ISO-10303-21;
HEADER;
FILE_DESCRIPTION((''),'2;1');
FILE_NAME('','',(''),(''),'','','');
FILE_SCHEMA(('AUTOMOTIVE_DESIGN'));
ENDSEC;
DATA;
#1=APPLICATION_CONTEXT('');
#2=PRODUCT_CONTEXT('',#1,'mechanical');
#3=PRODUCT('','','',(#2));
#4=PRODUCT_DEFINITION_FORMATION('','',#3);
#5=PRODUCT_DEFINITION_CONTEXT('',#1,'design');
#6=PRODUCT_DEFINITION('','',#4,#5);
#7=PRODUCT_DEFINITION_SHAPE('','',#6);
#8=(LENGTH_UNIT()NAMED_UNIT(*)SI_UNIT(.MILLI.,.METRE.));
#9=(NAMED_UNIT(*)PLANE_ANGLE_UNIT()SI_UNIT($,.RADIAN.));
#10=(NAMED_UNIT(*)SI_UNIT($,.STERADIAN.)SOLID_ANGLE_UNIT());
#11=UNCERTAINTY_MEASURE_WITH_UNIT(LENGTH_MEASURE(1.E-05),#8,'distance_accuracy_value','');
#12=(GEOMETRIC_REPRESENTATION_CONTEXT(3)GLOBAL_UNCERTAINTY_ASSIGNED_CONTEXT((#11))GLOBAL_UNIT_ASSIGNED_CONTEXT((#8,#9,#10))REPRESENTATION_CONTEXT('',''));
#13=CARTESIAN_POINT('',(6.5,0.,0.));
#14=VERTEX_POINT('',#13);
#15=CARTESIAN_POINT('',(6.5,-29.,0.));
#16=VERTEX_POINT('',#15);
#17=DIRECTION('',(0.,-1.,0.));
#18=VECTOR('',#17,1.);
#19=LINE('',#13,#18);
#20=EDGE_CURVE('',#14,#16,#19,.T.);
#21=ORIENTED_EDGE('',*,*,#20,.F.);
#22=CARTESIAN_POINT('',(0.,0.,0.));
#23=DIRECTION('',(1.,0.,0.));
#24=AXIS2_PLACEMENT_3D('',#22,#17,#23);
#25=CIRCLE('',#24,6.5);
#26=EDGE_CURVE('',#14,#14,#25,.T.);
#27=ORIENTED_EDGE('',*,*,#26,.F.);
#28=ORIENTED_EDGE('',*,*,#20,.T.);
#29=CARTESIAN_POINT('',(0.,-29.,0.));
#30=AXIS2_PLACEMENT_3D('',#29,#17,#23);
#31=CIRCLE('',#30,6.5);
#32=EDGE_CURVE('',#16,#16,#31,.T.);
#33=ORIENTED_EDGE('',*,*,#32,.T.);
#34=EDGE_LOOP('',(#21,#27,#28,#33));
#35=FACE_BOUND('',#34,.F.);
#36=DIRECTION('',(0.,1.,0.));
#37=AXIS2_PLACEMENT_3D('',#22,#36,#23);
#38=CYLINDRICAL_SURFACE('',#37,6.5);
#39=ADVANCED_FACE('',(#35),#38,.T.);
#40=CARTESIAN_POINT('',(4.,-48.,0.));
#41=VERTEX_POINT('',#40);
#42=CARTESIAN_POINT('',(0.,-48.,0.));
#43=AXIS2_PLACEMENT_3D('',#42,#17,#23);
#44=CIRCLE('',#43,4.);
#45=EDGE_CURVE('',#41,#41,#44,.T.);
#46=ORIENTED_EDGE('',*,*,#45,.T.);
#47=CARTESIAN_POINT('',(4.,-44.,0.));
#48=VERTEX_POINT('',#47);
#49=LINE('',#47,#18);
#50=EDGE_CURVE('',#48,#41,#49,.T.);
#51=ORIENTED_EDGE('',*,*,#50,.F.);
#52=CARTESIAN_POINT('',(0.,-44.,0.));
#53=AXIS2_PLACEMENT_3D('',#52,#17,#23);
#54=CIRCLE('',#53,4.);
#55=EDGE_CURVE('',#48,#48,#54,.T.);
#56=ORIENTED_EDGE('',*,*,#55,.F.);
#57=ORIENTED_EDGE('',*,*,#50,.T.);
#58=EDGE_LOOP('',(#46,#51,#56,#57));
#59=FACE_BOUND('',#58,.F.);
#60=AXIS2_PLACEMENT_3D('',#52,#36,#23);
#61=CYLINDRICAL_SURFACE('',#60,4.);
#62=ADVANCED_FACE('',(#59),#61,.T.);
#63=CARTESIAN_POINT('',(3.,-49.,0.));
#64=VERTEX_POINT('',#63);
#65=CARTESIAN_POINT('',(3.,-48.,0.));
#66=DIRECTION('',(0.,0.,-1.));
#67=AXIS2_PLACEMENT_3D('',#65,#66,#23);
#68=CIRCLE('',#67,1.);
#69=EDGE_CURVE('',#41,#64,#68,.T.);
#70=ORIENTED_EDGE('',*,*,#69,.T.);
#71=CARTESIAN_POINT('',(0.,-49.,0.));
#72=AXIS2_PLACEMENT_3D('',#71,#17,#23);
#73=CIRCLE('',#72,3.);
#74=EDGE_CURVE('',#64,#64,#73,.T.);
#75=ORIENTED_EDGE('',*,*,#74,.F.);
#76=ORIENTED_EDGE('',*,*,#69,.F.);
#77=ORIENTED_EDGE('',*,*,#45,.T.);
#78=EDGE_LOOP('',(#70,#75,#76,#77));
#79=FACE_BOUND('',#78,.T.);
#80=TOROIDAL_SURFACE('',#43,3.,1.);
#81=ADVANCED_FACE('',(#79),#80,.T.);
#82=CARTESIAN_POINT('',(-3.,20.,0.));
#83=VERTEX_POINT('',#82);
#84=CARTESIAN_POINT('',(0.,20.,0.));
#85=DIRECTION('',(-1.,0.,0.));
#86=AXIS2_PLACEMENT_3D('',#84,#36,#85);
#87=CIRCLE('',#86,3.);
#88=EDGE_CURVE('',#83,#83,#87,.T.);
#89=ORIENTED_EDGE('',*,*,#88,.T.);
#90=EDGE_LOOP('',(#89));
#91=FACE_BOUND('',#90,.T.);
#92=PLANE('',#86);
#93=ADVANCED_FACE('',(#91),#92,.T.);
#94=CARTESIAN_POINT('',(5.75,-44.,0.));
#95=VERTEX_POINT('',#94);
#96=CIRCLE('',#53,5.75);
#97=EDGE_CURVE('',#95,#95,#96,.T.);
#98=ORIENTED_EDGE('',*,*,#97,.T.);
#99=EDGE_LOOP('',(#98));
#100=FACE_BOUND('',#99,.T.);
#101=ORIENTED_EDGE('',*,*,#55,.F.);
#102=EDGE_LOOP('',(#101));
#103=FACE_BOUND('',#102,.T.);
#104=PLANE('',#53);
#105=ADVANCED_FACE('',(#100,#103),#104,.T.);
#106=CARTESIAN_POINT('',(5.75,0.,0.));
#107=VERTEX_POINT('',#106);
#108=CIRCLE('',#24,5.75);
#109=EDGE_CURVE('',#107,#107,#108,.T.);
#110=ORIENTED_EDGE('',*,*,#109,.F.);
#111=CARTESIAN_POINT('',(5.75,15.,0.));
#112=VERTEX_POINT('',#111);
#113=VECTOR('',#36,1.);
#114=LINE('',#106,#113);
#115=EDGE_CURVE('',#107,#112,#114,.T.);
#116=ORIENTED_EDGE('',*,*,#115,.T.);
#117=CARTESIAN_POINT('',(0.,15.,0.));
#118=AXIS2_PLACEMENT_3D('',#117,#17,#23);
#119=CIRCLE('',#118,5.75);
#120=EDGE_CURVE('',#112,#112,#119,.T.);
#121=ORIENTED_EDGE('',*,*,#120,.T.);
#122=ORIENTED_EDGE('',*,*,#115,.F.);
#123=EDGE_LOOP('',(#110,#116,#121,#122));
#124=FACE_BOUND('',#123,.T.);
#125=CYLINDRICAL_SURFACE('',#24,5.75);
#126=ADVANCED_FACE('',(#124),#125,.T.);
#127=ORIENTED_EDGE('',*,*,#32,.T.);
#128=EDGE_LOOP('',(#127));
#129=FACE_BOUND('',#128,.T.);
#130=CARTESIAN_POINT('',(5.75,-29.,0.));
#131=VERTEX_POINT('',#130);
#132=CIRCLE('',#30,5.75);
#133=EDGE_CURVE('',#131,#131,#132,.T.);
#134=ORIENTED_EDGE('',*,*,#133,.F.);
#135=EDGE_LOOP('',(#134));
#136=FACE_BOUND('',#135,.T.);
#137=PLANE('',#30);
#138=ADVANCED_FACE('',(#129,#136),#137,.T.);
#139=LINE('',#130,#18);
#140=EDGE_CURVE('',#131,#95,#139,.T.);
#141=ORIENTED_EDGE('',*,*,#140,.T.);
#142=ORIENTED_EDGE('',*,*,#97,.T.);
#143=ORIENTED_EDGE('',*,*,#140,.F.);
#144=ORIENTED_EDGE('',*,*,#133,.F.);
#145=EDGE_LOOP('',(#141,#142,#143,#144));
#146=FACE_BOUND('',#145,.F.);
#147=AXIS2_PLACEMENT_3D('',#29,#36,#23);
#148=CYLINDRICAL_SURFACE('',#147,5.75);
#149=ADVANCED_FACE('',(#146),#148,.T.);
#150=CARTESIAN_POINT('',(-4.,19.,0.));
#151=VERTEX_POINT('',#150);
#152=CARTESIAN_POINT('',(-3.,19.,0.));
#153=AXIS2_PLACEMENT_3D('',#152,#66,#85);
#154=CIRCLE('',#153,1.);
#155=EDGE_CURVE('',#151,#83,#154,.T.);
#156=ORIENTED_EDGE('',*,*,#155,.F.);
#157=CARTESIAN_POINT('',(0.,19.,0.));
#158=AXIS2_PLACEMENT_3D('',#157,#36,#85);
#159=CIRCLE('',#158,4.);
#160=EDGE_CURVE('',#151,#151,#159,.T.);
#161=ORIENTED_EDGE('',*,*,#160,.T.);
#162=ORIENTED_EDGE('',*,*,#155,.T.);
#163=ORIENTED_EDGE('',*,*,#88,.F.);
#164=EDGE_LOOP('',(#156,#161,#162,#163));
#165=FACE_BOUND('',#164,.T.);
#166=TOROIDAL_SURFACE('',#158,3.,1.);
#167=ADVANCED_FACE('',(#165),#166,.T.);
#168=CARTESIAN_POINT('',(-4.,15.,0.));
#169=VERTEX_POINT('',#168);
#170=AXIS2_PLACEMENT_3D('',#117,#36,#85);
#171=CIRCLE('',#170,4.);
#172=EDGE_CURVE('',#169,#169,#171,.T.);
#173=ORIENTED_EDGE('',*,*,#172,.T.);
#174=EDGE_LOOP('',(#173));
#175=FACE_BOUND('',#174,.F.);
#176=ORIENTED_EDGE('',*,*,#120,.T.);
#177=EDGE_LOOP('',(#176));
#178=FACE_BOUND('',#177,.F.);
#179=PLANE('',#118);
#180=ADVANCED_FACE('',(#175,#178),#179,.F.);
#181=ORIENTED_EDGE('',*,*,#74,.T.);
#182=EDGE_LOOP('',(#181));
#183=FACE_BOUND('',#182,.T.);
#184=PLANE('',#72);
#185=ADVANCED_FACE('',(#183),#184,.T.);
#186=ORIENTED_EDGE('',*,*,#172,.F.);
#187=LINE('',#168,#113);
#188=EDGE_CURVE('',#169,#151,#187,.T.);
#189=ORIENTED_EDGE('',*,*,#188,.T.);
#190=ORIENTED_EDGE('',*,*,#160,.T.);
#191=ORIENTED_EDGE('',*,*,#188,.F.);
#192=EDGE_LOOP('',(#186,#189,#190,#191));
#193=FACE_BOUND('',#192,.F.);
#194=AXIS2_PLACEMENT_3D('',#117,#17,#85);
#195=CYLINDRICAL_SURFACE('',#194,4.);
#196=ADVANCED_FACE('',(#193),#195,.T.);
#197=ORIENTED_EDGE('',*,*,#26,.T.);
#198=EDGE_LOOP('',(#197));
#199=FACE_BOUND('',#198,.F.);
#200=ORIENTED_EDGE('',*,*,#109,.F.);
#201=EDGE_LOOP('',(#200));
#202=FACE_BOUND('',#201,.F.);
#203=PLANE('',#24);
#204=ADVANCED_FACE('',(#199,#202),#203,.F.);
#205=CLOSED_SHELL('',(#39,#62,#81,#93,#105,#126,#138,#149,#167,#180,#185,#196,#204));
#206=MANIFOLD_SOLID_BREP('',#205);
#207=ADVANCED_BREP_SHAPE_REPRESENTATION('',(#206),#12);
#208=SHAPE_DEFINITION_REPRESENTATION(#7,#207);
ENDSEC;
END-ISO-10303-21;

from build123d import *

# Parameters (mm, degrees)
F0_R     = 6.5
F1_DEPTH = 29
F2_R     = 5.75
F3_DEPTH = 15
F4_R     = 4
F5_DEPTH = 5
F6_R     = 5.75
F7_DEPTH = 15
F8_R     = 4
F9_DEPTH = 5
F10_R    = 1


with BuildPart() as f1:
    # F0 (on Front) → F1 (new body)
    with BuildSketch(Plane.XZ):
        Circle(F0_R)
    extrude(amount=F1_DEPTH)

    # F2 (on Front) → F3 (join)
    with BuildSketch(Plane.XZ):
        Circle(F2_R)
    extrude(amount=-F3_DEPTH)



with BuildPart() as f5:
    # F4 (on face) → F5 (new body)
    with BuildSketch(Plane.XZ.offset(44)):
        Circle(F4_R)
    extrude(amount=F5_DEPTH)


with BuildPart() as f1_1:
    add(f1.part)

    add(f5.part)  # F7 merges F5
    # F6 (on face) → F7 (join)
    with BuildSketch(Plane.XZ.offset(29)):
        Circle(F6_R)
    extrude(amount=F7_DEPTH)

    # F8 (on face) → F9 (join)
    with BuildSketch(Plane(origin=(0, 15, 0), x_dir=(-1, 0, 0), z_dir=(0, 1, 0))):
        Circle(F8_R)
    extrude(amount=F9_DEPTH)

    # F10
    f10_edges = [f1_1.edges().sort_by_distance(p)[0] for p in [
        (4, 20, 0),
        (-4, -49, 0),
    ]]
    fillet(f10_edges, radius=F10_R)


solid = f1_1.part
